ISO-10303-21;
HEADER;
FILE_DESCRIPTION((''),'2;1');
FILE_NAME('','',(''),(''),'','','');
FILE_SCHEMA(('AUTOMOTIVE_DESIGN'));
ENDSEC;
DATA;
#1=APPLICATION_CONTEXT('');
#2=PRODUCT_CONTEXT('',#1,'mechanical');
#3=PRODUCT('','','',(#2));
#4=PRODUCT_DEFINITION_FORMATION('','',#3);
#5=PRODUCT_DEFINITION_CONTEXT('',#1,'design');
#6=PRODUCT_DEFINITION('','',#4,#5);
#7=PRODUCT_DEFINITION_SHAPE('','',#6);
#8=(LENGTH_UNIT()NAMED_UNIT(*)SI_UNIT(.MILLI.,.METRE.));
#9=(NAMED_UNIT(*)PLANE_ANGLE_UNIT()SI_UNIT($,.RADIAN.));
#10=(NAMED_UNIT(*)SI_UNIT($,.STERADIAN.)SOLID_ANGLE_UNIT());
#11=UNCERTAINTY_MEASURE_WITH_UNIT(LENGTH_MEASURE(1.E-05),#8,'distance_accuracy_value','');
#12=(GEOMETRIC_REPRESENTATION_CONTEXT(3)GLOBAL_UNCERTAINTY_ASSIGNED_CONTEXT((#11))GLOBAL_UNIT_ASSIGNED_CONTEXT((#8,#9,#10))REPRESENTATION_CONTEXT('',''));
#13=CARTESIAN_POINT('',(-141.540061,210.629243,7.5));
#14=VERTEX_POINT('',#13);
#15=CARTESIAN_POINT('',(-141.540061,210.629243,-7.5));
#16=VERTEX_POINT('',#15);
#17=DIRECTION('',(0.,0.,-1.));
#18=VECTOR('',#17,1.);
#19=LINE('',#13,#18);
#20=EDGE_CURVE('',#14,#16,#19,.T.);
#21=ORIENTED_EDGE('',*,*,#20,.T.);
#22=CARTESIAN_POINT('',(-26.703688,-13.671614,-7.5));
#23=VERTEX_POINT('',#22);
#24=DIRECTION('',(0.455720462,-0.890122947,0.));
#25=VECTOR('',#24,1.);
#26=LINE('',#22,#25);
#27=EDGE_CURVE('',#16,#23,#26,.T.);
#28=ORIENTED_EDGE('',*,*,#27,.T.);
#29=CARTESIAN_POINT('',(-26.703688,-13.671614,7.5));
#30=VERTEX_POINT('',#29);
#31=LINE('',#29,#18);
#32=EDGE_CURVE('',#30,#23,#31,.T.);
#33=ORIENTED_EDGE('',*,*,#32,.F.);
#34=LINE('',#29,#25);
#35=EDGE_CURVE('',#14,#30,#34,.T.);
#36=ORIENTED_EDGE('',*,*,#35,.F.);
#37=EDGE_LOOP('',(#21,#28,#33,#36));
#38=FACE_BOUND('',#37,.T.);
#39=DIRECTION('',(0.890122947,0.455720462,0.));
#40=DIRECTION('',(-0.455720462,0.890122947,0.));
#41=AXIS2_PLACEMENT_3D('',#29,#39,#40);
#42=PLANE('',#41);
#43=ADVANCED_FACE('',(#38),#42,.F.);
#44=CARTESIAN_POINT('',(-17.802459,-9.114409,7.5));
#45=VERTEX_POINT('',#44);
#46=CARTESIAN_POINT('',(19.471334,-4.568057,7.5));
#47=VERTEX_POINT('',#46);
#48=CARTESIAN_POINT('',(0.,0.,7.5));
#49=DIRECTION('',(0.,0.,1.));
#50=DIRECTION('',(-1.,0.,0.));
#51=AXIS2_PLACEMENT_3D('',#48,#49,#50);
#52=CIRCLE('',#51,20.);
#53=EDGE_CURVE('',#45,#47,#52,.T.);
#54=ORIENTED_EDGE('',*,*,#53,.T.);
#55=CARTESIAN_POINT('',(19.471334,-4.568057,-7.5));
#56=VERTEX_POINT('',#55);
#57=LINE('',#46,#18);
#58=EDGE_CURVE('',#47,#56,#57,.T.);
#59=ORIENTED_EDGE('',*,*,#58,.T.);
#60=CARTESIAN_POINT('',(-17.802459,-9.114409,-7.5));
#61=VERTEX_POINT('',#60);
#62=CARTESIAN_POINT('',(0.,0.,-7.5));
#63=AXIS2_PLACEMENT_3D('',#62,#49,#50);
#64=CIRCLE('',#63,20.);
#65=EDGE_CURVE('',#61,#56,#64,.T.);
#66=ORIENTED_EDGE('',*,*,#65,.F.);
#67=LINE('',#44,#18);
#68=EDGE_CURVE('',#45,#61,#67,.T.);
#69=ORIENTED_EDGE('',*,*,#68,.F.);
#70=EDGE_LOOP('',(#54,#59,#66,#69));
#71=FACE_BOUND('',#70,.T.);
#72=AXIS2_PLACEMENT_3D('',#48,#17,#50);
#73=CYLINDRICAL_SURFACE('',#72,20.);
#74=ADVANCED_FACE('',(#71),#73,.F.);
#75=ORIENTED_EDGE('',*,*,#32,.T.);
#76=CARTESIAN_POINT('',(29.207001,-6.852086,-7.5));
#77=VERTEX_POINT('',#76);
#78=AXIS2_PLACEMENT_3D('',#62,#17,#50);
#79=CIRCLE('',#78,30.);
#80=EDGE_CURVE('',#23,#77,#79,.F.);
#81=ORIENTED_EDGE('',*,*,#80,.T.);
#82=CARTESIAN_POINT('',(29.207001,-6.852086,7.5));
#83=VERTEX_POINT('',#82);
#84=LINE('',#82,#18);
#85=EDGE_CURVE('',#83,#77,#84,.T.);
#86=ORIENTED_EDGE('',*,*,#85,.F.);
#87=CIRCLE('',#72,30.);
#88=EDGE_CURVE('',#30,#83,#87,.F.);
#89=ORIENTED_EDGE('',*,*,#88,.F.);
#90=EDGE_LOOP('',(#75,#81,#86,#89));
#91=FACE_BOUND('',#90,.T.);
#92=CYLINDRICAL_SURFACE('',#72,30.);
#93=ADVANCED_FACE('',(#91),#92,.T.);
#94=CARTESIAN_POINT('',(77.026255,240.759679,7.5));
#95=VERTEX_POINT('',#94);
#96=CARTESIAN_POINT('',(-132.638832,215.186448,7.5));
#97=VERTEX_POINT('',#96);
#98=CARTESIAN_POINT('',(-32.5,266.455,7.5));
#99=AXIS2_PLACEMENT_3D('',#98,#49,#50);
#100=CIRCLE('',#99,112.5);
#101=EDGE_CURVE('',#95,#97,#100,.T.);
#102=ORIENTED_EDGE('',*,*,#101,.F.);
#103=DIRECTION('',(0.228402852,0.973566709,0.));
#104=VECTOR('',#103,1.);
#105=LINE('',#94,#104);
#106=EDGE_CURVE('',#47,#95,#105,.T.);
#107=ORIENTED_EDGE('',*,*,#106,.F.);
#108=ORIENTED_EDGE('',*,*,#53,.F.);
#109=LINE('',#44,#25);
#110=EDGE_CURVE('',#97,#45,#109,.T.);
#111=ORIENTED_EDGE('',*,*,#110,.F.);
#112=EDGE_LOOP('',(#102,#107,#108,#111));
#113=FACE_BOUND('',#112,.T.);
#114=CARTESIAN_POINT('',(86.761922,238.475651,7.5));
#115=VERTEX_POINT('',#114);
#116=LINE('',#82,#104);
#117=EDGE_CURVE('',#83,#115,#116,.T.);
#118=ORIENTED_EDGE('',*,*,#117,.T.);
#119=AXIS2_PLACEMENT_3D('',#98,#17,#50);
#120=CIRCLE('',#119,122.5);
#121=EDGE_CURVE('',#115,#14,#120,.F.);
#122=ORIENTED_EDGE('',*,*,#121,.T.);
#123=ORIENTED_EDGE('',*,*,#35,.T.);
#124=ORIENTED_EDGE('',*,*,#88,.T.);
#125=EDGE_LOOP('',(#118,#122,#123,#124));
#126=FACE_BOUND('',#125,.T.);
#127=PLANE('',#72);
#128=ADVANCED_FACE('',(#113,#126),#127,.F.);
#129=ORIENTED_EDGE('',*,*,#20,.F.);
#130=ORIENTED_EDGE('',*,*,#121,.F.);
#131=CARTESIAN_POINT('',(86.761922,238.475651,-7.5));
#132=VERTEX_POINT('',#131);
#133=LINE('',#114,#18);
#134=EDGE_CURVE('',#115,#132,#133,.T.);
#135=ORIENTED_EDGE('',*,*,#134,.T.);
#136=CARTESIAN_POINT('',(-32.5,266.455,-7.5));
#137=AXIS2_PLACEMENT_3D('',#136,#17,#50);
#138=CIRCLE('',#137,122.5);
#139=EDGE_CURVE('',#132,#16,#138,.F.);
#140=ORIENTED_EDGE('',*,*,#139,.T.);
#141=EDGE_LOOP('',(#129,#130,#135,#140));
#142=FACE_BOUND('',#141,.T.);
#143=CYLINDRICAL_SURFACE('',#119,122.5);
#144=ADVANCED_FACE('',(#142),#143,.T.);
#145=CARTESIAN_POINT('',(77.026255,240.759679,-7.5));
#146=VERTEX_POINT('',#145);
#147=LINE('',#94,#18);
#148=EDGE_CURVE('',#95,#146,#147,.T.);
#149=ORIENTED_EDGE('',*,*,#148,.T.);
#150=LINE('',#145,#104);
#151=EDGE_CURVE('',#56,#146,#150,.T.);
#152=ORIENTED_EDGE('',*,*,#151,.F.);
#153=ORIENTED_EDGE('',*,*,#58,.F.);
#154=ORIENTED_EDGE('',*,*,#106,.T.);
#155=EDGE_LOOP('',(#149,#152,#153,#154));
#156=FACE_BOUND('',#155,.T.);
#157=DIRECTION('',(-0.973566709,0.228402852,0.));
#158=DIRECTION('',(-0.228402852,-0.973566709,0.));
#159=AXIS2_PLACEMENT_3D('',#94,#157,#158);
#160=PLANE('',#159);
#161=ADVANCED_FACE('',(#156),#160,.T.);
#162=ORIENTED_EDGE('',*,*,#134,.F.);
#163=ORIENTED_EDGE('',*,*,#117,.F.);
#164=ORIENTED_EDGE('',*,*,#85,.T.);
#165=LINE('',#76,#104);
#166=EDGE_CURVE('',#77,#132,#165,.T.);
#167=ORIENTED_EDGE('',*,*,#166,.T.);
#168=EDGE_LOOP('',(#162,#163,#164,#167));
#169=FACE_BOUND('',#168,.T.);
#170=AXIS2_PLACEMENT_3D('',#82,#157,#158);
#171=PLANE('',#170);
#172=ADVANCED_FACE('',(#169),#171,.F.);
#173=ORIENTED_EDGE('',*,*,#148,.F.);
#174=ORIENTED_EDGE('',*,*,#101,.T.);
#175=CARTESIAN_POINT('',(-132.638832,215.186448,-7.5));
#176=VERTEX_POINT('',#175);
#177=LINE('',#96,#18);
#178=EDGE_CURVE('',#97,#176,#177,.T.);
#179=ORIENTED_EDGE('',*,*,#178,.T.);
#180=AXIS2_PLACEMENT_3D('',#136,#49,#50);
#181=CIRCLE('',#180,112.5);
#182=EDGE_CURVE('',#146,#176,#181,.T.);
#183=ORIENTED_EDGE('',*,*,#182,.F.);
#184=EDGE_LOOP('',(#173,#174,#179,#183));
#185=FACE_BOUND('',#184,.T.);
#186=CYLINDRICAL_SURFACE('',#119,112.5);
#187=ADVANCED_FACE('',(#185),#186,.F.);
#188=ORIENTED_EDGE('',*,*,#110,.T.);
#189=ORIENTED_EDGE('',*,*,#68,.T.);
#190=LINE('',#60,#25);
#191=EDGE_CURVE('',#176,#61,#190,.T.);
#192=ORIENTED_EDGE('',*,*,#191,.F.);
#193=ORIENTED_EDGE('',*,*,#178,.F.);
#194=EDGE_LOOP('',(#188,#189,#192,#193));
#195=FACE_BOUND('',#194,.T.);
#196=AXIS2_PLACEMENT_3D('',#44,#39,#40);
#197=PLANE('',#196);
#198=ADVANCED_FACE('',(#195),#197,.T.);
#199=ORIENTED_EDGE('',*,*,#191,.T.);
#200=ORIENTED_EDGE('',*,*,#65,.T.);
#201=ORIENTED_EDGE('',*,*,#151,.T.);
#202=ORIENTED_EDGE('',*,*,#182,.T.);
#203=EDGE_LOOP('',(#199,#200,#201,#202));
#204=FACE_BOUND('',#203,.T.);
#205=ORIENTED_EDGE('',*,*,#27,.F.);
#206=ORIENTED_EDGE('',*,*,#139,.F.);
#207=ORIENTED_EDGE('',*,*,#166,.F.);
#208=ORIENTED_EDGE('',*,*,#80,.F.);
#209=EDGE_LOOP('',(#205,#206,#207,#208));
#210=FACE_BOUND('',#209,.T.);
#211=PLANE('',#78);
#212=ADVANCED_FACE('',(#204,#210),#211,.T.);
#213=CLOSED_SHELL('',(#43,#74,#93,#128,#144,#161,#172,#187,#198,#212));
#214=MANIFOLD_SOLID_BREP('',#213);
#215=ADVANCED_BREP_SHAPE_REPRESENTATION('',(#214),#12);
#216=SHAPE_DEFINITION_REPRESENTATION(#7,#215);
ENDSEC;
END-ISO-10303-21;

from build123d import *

# Parameters (mm, degrees)
EXTRUS_O_FINA1_DEPTH = 7.5


with BuildPart() as part:
    # Esboço2 → Extrusão-Fina1 (new, symmetric)
    with BuildSketch(Plane.XY):
        with BuildLine():
            Line((86.76192187, 238.475650619), (29.207001274, -6.852085563))
            ThreePointArc((29.207001274, -6.852085563), (3.632235594, -29.779302621), (-26.703688402, -13.671613867))
            Line((-26.703688402, -13.671613867), (-141.540060974, 210.629243374))
            ThreePointArc((-141.540060974, 210.629243374), (-47.331628675, 388.053819036), (86.76192187, 238.475650619))
        make_face()
        with BuildLine():
            Line((77.026254779, 240.75967914), (19.471334183, -4.568057042))
            ThreePointArc((19.471334183, -4.568057042), (2.421490396, -19.852868414), (-17.802458935, -9.114409245))
            Line((-17.802458935, -9.114409245), (-132.638831507, 215.186447997))
            ThreePointArc((-132.638831507, 215.186447997), (-46.120883477, 378.127384829), (77.026254779, 240.75967914))
        make_face(mode=Mode.SUBTRACT)
    extrude(amount=EXTRUS_O_FINA1_DEPTH, both=True)


solid = part.part
